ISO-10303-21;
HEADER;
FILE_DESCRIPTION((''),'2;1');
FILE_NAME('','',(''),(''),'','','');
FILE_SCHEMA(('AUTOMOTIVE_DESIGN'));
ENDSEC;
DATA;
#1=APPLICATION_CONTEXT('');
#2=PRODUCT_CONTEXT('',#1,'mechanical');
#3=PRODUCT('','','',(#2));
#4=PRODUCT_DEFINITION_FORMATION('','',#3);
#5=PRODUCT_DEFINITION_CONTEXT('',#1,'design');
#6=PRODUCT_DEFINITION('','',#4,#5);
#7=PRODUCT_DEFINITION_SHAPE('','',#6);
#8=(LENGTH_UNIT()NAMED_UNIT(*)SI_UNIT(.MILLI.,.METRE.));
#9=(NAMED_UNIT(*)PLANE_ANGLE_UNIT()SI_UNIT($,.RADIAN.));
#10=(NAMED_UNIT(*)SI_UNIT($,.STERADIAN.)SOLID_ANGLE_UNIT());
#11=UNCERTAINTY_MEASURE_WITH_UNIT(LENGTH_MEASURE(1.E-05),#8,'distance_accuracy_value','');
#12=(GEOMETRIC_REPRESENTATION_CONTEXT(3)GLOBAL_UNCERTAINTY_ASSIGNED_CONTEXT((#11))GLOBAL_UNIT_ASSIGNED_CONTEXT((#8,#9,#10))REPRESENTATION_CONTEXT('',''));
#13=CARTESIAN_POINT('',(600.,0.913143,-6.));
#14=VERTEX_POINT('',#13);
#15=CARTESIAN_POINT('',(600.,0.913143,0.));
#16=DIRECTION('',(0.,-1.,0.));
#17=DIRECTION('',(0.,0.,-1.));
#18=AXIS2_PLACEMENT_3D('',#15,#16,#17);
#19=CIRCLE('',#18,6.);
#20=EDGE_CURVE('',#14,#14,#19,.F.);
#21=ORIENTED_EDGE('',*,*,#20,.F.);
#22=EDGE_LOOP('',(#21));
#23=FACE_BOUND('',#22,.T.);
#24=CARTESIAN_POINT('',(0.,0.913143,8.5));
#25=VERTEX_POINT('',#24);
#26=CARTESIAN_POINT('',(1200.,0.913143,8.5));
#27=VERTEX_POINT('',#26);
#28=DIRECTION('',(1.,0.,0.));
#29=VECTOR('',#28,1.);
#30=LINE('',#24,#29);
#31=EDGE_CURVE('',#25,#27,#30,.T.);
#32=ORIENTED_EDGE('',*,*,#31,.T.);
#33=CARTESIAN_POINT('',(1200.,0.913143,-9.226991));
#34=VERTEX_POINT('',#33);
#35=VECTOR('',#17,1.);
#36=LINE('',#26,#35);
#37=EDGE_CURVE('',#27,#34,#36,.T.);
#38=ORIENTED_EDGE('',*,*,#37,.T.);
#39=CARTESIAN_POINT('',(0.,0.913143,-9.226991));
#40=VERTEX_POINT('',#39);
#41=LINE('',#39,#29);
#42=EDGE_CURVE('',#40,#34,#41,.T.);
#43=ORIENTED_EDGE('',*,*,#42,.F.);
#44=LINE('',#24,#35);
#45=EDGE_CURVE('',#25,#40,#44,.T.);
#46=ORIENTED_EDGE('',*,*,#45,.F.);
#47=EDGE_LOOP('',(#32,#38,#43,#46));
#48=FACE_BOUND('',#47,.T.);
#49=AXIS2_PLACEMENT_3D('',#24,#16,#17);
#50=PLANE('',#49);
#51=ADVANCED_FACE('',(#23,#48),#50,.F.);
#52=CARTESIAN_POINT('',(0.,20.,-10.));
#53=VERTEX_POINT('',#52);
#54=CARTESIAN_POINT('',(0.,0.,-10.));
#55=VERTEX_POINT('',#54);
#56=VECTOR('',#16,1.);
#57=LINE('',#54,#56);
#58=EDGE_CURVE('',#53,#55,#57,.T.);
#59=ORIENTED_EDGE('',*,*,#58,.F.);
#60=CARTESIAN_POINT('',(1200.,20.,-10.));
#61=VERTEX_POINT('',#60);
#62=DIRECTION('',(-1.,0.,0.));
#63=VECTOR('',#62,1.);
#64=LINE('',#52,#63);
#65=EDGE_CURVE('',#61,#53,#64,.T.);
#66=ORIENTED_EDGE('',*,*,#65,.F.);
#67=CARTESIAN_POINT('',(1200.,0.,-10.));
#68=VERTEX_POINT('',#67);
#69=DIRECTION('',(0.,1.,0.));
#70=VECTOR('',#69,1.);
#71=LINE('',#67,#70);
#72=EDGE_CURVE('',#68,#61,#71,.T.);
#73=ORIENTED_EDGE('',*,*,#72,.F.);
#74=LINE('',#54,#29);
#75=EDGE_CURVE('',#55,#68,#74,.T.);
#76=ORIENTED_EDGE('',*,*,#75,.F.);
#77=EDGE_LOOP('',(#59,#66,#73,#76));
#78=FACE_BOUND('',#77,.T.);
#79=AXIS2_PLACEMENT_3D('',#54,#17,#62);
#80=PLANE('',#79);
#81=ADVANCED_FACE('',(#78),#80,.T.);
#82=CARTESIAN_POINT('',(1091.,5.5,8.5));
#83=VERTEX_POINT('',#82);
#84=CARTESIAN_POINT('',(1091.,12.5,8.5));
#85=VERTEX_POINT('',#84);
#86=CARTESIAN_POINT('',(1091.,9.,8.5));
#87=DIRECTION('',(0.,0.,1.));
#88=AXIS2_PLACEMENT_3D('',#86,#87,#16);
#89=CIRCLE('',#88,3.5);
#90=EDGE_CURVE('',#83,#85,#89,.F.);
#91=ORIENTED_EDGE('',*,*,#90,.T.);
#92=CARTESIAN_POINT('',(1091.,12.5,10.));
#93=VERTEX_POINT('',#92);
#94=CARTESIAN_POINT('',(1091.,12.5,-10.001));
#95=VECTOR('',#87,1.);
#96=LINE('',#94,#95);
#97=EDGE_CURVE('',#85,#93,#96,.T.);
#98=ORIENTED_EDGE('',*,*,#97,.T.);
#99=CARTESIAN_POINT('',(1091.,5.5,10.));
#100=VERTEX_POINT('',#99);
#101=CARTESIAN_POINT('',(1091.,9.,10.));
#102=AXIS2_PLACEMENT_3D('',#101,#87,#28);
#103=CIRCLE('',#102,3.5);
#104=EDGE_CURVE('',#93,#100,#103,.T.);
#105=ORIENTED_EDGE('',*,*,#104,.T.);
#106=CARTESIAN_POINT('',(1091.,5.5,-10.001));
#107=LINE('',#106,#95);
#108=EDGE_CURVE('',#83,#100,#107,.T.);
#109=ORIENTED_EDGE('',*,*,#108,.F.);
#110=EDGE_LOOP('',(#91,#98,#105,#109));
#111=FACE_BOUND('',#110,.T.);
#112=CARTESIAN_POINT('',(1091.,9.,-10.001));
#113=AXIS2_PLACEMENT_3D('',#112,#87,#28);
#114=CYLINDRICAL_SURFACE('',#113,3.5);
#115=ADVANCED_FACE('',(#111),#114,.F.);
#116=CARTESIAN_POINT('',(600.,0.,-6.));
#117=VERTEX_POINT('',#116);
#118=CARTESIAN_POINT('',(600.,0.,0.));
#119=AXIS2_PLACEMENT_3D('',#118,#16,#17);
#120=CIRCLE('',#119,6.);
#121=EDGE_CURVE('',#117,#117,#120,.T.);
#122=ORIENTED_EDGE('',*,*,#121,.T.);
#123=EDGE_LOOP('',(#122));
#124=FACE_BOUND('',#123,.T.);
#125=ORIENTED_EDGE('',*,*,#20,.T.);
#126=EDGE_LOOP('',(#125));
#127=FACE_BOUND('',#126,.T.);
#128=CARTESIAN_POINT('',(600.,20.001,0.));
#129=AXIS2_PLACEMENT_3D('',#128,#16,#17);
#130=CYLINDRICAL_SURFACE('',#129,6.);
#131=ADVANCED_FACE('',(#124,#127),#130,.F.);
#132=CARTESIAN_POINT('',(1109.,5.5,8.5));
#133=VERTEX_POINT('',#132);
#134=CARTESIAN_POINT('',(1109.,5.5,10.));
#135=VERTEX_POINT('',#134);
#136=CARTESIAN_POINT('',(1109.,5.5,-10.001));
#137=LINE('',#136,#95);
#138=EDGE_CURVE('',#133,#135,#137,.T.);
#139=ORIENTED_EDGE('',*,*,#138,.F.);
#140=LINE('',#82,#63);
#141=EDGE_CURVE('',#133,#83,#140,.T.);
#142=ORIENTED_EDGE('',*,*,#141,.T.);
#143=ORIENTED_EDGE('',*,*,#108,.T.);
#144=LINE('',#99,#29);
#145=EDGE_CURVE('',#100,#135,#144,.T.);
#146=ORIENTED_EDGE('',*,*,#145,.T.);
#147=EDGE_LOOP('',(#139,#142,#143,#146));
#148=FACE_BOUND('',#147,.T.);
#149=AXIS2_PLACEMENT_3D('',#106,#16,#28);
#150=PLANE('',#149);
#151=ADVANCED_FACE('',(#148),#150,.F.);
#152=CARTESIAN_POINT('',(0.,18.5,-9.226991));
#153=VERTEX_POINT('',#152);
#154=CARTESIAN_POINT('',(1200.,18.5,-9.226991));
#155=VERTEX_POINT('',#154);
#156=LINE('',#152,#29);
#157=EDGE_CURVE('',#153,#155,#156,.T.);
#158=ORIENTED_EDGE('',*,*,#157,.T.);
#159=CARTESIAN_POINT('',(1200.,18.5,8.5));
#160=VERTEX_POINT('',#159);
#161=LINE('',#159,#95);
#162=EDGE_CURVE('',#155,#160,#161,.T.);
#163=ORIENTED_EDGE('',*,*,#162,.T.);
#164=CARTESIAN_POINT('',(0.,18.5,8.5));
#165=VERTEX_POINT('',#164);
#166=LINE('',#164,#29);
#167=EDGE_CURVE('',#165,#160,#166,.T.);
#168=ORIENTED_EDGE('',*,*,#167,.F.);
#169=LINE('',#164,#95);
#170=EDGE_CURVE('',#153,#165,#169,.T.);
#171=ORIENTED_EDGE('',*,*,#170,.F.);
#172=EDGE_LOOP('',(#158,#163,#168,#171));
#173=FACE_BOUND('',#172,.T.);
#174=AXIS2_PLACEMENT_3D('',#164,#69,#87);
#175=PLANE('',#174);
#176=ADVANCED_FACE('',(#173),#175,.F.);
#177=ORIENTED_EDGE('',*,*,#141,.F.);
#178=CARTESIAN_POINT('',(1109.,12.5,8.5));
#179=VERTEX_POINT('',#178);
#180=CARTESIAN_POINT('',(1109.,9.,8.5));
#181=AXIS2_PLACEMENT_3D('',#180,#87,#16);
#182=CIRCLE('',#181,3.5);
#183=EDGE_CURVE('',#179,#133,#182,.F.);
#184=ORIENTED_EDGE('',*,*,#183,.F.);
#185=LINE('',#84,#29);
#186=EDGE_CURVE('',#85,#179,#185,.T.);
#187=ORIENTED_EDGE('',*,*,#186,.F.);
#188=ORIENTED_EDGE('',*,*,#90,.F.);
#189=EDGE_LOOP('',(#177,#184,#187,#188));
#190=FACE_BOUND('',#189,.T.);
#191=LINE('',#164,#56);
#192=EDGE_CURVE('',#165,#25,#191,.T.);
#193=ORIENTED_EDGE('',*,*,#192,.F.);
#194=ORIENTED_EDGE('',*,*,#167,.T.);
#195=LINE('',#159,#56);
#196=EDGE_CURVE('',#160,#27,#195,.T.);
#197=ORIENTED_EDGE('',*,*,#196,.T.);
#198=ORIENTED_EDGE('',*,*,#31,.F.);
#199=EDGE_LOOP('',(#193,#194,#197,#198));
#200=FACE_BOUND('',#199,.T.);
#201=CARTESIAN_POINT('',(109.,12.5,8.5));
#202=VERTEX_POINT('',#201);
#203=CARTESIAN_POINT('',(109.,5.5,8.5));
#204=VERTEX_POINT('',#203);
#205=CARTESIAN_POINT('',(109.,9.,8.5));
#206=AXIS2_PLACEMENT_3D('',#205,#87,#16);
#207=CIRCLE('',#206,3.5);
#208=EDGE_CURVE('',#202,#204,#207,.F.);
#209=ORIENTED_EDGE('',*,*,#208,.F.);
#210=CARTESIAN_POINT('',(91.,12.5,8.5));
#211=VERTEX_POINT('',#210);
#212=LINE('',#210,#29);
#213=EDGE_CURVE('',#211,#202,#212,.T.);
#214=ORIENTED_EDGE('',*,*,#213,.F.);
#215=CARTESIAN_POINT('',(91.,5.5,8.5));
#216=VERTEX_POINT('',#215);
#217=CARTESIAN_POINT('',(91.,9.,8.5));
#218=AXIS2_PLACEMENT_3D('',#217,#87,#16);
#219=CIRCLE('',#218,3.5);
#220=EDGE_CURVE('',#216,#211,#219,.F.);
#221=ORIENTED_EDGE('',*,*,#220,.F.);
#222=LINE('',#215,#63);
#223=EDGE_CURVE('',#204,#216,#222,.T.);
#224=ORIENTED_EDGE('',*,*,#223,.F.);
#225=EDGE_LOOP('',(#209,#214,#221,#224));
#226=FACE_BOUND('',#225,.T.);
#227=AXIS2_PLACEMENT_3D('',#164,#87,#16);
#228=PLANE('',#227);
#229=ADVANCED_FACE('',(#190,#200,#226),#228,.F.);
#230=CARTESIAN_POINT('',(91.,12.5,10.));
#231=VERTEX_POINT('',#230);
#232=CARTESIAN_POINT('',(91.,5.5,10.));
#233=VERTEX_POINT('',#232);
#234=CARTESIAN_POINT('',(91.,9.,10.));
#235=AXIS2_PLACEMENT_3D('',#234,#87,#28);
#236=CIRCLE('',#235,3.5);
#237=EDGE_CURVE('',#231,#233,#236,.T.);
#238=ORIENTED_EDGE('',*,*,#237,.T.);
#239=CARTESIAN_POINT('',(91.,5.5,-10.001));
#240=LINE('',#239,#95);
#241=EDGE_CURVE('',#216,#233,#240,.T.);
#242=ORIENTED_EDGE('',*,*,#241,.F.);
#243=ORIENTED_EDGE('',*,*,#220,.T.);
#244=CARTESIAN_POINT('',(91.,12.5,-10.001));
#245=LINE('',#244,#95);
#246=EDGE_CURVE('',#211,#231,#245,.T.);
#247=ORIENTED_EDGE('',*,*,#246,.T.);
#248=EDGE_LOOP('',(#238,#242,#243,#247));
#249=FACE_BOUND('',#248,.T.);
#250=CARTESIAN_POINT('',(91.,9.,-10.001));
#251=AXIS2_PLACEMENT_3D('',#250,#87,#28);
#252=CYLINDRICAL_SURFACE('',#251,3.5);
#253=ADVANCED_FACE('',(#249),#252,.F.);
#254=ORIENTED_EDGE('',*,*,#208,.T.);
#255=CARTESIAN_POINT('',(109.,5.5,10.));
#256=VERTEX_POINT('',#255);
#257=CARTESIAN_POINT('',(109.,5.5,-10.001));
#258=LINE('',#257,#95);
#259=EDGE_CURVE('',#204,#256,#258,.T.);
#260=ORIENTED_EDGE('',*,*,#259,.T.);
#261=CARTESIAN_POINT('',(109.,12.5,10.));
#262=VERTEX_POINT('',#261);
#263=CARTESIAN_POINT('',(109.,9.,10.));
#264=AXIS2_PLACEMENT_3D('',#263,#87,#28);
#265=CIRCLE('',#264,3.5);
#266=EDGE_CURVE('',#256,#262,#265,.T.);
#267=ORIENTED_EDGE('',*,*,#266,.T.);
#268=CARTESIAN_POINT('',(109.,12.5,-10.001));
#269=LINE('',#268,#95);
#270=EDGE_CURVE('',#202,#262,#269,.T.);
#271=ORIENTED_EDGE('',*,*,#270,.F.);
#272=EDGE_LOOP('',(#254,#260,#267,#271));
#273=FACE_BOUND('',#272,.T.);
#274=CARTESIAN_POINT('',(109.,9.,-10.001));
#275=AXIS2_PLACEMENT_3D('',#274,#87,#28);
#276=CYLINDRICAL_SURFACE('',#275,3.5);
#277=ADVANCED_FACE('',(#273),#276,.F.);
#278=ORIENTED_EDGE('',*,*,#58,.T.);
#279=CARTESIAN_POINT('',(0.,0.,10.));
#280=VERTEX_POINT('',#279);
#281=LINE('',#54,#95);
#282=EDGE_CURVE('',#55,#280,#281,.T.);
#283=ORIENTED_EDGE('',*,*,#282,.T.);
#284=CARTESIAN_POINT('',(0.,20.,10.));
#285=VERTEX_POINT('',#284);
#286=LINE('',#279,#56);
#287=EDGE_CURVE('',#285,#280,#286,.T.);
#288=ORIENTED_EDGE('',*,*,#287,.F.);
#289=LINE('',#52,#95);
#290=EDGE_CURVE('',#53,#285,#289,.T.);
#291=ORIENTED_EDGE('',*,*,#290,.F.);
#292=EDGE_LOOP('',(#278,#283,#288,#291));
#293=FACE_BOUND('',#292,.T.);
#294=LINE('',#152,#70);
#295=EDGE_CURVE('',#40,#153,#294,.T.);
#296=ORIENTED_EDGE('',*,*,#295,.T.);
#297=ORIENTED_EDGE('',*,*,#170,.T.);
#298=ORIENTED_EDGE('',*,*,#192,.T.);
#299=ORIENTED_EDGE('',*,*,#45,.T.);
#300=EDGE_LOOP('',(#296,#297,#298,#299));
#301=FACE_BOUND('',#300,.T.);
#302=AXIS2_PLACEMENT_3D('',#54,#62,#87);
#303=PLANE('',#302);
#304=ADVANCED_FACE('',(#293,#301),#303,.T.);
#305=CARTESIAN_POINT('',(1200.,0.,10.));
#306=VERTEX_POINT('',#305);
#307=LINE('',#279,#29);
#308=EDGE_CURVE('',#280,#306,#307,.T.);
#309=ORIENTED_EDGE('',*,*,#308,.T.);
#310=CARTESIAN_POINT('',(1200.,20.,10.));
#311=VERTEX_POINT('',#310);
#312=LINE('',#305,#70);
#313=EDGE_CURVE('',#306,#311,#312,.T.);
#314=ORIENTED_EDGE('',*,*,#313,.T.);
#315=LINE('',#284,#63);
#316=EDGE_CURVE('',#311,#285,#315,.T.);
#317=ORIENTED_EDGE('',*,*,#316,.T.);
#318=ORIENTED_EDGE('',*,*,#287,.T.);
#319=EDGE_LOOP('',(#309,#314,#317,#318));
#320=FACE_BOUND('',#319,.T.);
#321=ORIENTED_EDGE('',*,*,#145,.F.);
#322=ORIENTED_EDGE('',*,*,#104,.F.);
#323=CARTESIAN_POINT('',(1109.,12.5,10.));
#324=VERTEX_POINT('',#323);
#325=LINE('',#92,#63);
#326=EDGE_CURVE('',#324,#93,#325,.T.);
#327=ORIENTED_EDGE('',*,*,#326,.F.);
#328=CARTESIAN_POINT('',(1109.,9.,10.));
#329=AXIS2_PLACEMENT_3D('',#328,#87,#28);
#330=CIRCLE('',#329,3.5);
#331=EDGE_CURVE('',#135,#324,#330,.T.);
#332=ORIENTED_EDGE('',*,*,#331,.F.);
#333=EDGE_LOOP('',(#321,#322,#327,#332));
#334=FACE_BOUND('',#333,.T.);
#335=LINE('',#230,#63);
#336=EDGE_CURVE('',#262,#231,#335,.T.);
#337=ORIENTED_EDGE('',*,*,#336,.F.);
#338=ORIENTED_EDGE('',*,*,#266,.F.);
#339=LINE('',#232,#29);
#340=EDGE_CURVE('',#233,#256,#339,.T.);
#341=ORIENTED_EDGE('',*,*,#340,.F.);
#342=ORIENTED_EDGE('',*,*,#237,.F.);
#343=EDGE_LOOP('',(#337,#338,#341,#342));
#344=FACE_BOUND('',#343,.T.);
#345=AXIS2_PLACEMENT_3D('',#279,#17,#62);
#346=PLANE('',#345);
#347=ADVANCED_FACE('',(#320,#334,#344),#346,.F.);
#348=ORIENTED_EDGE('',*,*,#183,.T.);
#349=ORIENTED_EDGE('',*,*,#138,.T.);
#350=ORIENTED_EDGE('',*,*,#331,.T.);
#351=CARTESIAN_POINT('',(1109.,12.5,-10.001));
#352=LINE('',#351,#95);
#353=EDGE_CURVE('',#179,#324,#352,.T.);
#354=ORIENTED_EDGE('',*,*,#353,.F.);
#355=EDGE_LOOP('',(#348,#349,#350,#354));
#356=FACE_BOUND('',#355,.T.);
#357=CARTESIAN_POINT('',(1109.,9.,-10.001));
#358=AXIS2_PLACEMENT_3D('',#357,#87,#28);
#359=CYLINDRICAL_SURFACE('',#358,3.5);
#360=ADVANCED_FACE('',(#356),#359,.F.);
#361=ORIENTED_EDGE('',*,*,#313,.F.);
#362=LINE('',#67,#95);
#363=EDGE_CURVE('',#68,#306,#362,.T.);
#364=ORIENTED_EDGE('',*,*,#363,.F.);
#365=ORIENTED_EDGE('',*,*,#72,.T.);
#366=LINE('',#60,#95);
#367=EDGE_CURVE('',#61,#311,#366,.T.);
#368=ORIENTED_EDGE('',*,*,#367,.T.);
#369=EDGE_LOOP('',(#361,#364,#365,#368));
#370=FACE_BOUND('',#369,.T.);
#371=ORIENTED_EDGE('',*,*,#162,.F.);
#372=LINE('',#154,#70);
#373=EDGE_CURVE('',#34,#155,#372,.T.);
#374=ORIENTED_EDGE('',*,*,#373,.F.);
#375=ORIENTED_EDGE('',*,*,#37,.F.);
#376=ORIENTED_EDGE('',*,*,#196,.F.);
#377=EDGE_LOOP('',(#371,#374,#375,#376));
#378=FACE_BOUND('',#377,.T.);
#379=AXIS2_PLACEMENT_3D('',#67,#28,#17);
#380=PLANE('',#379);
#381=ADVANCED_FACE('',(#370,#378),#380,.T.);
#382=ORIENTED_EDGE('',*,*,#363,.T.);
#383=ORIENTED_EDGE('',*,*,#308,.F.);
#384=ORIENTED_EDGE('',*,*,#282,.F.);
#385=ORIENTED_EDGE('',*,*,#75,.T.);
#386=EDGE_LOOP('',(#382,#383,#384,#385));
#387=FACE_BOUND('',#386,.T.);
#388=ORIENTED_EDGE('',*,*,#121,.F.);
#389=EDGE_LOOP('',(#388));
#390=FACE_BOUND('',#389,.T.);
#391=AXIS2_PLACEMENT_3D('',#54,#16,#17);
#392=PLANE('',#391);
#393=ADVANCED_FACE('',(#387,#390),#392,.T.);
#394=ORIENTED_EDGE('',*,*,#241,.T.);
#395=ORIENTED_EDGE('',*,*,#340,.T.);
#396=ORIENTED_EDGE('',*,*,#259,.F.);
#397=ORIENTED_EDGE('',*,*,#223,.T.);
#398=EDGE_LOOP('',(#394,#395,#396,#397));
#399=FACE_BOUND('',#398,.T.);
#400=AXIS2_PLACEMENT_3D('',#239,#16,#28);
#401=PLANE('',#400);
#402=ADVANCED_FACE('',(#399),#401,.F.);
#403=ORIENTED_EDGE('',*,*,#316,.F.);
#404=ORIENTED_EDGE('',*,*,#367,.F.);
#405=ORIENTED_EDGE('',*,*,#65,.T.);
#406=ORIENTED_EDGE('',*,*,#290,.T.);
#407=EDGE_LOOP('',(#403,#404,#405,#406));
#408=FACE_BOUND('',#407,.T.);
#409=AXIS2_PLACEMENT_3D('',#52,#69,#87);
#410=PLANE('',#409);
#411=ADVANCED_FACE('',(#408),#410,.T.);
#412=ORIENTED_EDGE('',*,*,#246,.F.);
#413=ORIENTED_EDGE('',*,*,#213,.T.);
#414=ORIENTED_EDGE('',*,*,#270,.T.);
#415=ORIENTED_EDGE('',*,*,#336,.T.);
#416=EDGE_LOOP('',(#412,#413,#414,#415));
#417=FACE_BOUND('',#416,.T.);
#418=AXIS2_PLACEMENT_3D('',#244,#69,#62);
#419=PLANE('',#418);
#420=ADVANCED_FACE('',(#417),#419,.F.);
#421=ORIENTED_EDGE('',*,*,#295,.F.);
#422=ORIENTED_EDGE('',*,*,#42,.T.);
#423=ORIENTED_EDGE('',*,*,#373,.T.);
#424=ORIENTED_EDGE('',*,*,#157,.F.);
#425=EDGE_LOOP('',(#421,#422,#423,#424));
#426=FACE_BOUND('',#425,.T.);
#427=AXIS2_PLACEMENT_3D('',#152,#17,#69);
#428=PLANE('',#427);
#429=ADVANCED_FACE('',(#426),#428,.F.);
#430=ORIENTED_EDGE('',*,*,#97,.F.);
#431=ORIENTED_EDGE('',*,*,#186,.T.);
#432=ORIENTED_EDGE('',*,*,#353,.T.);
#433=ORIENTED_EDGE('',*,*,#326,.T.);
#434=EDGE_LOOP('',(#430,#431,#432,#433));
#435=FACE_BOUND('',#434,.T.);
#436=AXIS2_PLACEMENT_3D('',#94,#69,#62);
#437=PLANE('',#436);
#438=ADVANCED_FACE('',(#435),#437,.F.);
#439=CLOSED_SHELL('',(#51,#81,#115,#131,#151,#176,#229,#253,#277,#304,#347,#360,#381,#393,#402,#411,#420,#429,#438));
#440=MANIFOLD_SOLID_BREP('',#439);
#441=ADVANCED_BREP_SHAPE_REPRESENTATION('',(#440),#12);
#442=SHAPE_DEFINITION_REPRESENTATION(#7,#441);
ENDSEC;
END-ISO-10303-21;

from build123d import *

# Parameters (mm, degrees)
EXTRUDE_1_DEPTH      = 10
EXTRUDE_1_DEPTH_BACK = 10
SKETCH_1_W           = 1200
SKETCH_1_H           = 20
SKETCH_2_W           = 17.726991081
SKETCH_2_H           = 17.586856765
CUT_EXTRUDE_1_DEPTH  = 1201.208315252
CUT_EXTRUDE_2_REACH  = 1202.333
CUT_EXTRUDE_3_REACH  = 1202.333
CUT_EXTRUDE_4_REACH  = 1202.208
SKETCH_5_R           = 6


with BuildPart() as part:
    # ｽｹｯﾁ1 → ﾎﾞｽ - 押し出し1 (new, two sides: drawn at the far end of the back side and taken through both)
    with BuildSketch(Plane.XY.offset(-EXTRUDE_1_DEPTH_BACK)):
        with Locations((600, 10)):
            Rectangle(SKETCH_1_W, SKETCH_1_H)
    extrude(amount=EXTRUDE_1_DEPTH + EXTRUDE_1_DEPTH_BACK)

    # ｽｹｯﾁ2 → ｶｯﾄ - 押し出し1 (cut, through all)
    with BuildSketch(Plane(origin=(1200, 0, 0), x_dir=(0, 0, -1), z_dir=(1, 0, 0))):
        with Locations((0.363495541, 9.706571617)):
            Rectangle(SKETCH_2_W, SKETCH_2_H)
    extrude(amount=-CUT_EXTRUDE_1_DEPTH, mode=Mode.SUBTRACT)

    # ｽｹｯﾁ3 → ｶｯﾄ - 押し出し2 (cut, up to next)
    with BuildSketch(Plane.XY.offset(10), mode=Mode.PRIVATE) as cut_extrude_2_sk1:
        with BuildLine():
            Line((91, 12.5), (109, 12.5))
            ThreePointArc((109, 12.5), (112.5, 9), (109, 5.5))
            Line((109, 5.5), (91, 5.5))
            ThreePointArc((91, 5.5), (87.5, 9), (91, 12.5))
        make_face()
    cut_extrude_2_tool1 = extrude(cut_extrude_2_sk1.sketch, amount=-CUT_EXTRUDE_2_REACH, mode=Mode.PRIVATE) & part.part
    add(cut_extrude_2_tool1.solids().sort_by_distance((100, 9, 10))[0], mode=Mode.SUBTRACT)

    # ｽｹｯﾁ4 → ｶｯﾄ - 押し出し3 (cut, up to next)
    with BuildSketch(Plane.XY.offset(10), mode=Mode.PRIVATE) as cut_extrude_3_sk1:
        with BuildLine():
            Line((1091, 12.5), (1109, 12.5))
            ThreePointArc((1109, 12.5), (1112.5, 9), (1109, 5.5))
            Line((1109, 5.5), (1091, 5.5))
            ThreePointArc((1091, 5.5), (1087.5, 9), (1091, 12.5))
        make_face()
    cut_extrude_3_tool1 = extrude(cut_extrude_3_sk1.sketch, amount=-CUT_EXTRUDE_3_REACH, mode=Mode.PRIVATE) & part.part
    add(cut_extrude_3_tool1.solids().sort_by_distance((1100, 9, 10))[0], mode=Mode.SUBTRACT)

    # ｽｹｯﾁ5 → ｶｯﾄ - 押し出し4 (cut, up to next)
    with BuildSketch(Plane.XZ, mode=Mode.PRIVATE) as cut_extrude_4_sk1:
        with Locations((600, 0)):
            Circle(SKETCH_5_R)
    cut_extrude_4_tool1 = extrude(cut_extrude_4_sk1.sketch, amount=-CUT_EXTRUDE_4_REACH, mode=Mode.PRIVATE) & part.part
    add(cut_extrude_4_tool1.solids().sort_by_distance((600, 0, 0))[0], mode=Mode.SUBTRACT)


solid = part.part
